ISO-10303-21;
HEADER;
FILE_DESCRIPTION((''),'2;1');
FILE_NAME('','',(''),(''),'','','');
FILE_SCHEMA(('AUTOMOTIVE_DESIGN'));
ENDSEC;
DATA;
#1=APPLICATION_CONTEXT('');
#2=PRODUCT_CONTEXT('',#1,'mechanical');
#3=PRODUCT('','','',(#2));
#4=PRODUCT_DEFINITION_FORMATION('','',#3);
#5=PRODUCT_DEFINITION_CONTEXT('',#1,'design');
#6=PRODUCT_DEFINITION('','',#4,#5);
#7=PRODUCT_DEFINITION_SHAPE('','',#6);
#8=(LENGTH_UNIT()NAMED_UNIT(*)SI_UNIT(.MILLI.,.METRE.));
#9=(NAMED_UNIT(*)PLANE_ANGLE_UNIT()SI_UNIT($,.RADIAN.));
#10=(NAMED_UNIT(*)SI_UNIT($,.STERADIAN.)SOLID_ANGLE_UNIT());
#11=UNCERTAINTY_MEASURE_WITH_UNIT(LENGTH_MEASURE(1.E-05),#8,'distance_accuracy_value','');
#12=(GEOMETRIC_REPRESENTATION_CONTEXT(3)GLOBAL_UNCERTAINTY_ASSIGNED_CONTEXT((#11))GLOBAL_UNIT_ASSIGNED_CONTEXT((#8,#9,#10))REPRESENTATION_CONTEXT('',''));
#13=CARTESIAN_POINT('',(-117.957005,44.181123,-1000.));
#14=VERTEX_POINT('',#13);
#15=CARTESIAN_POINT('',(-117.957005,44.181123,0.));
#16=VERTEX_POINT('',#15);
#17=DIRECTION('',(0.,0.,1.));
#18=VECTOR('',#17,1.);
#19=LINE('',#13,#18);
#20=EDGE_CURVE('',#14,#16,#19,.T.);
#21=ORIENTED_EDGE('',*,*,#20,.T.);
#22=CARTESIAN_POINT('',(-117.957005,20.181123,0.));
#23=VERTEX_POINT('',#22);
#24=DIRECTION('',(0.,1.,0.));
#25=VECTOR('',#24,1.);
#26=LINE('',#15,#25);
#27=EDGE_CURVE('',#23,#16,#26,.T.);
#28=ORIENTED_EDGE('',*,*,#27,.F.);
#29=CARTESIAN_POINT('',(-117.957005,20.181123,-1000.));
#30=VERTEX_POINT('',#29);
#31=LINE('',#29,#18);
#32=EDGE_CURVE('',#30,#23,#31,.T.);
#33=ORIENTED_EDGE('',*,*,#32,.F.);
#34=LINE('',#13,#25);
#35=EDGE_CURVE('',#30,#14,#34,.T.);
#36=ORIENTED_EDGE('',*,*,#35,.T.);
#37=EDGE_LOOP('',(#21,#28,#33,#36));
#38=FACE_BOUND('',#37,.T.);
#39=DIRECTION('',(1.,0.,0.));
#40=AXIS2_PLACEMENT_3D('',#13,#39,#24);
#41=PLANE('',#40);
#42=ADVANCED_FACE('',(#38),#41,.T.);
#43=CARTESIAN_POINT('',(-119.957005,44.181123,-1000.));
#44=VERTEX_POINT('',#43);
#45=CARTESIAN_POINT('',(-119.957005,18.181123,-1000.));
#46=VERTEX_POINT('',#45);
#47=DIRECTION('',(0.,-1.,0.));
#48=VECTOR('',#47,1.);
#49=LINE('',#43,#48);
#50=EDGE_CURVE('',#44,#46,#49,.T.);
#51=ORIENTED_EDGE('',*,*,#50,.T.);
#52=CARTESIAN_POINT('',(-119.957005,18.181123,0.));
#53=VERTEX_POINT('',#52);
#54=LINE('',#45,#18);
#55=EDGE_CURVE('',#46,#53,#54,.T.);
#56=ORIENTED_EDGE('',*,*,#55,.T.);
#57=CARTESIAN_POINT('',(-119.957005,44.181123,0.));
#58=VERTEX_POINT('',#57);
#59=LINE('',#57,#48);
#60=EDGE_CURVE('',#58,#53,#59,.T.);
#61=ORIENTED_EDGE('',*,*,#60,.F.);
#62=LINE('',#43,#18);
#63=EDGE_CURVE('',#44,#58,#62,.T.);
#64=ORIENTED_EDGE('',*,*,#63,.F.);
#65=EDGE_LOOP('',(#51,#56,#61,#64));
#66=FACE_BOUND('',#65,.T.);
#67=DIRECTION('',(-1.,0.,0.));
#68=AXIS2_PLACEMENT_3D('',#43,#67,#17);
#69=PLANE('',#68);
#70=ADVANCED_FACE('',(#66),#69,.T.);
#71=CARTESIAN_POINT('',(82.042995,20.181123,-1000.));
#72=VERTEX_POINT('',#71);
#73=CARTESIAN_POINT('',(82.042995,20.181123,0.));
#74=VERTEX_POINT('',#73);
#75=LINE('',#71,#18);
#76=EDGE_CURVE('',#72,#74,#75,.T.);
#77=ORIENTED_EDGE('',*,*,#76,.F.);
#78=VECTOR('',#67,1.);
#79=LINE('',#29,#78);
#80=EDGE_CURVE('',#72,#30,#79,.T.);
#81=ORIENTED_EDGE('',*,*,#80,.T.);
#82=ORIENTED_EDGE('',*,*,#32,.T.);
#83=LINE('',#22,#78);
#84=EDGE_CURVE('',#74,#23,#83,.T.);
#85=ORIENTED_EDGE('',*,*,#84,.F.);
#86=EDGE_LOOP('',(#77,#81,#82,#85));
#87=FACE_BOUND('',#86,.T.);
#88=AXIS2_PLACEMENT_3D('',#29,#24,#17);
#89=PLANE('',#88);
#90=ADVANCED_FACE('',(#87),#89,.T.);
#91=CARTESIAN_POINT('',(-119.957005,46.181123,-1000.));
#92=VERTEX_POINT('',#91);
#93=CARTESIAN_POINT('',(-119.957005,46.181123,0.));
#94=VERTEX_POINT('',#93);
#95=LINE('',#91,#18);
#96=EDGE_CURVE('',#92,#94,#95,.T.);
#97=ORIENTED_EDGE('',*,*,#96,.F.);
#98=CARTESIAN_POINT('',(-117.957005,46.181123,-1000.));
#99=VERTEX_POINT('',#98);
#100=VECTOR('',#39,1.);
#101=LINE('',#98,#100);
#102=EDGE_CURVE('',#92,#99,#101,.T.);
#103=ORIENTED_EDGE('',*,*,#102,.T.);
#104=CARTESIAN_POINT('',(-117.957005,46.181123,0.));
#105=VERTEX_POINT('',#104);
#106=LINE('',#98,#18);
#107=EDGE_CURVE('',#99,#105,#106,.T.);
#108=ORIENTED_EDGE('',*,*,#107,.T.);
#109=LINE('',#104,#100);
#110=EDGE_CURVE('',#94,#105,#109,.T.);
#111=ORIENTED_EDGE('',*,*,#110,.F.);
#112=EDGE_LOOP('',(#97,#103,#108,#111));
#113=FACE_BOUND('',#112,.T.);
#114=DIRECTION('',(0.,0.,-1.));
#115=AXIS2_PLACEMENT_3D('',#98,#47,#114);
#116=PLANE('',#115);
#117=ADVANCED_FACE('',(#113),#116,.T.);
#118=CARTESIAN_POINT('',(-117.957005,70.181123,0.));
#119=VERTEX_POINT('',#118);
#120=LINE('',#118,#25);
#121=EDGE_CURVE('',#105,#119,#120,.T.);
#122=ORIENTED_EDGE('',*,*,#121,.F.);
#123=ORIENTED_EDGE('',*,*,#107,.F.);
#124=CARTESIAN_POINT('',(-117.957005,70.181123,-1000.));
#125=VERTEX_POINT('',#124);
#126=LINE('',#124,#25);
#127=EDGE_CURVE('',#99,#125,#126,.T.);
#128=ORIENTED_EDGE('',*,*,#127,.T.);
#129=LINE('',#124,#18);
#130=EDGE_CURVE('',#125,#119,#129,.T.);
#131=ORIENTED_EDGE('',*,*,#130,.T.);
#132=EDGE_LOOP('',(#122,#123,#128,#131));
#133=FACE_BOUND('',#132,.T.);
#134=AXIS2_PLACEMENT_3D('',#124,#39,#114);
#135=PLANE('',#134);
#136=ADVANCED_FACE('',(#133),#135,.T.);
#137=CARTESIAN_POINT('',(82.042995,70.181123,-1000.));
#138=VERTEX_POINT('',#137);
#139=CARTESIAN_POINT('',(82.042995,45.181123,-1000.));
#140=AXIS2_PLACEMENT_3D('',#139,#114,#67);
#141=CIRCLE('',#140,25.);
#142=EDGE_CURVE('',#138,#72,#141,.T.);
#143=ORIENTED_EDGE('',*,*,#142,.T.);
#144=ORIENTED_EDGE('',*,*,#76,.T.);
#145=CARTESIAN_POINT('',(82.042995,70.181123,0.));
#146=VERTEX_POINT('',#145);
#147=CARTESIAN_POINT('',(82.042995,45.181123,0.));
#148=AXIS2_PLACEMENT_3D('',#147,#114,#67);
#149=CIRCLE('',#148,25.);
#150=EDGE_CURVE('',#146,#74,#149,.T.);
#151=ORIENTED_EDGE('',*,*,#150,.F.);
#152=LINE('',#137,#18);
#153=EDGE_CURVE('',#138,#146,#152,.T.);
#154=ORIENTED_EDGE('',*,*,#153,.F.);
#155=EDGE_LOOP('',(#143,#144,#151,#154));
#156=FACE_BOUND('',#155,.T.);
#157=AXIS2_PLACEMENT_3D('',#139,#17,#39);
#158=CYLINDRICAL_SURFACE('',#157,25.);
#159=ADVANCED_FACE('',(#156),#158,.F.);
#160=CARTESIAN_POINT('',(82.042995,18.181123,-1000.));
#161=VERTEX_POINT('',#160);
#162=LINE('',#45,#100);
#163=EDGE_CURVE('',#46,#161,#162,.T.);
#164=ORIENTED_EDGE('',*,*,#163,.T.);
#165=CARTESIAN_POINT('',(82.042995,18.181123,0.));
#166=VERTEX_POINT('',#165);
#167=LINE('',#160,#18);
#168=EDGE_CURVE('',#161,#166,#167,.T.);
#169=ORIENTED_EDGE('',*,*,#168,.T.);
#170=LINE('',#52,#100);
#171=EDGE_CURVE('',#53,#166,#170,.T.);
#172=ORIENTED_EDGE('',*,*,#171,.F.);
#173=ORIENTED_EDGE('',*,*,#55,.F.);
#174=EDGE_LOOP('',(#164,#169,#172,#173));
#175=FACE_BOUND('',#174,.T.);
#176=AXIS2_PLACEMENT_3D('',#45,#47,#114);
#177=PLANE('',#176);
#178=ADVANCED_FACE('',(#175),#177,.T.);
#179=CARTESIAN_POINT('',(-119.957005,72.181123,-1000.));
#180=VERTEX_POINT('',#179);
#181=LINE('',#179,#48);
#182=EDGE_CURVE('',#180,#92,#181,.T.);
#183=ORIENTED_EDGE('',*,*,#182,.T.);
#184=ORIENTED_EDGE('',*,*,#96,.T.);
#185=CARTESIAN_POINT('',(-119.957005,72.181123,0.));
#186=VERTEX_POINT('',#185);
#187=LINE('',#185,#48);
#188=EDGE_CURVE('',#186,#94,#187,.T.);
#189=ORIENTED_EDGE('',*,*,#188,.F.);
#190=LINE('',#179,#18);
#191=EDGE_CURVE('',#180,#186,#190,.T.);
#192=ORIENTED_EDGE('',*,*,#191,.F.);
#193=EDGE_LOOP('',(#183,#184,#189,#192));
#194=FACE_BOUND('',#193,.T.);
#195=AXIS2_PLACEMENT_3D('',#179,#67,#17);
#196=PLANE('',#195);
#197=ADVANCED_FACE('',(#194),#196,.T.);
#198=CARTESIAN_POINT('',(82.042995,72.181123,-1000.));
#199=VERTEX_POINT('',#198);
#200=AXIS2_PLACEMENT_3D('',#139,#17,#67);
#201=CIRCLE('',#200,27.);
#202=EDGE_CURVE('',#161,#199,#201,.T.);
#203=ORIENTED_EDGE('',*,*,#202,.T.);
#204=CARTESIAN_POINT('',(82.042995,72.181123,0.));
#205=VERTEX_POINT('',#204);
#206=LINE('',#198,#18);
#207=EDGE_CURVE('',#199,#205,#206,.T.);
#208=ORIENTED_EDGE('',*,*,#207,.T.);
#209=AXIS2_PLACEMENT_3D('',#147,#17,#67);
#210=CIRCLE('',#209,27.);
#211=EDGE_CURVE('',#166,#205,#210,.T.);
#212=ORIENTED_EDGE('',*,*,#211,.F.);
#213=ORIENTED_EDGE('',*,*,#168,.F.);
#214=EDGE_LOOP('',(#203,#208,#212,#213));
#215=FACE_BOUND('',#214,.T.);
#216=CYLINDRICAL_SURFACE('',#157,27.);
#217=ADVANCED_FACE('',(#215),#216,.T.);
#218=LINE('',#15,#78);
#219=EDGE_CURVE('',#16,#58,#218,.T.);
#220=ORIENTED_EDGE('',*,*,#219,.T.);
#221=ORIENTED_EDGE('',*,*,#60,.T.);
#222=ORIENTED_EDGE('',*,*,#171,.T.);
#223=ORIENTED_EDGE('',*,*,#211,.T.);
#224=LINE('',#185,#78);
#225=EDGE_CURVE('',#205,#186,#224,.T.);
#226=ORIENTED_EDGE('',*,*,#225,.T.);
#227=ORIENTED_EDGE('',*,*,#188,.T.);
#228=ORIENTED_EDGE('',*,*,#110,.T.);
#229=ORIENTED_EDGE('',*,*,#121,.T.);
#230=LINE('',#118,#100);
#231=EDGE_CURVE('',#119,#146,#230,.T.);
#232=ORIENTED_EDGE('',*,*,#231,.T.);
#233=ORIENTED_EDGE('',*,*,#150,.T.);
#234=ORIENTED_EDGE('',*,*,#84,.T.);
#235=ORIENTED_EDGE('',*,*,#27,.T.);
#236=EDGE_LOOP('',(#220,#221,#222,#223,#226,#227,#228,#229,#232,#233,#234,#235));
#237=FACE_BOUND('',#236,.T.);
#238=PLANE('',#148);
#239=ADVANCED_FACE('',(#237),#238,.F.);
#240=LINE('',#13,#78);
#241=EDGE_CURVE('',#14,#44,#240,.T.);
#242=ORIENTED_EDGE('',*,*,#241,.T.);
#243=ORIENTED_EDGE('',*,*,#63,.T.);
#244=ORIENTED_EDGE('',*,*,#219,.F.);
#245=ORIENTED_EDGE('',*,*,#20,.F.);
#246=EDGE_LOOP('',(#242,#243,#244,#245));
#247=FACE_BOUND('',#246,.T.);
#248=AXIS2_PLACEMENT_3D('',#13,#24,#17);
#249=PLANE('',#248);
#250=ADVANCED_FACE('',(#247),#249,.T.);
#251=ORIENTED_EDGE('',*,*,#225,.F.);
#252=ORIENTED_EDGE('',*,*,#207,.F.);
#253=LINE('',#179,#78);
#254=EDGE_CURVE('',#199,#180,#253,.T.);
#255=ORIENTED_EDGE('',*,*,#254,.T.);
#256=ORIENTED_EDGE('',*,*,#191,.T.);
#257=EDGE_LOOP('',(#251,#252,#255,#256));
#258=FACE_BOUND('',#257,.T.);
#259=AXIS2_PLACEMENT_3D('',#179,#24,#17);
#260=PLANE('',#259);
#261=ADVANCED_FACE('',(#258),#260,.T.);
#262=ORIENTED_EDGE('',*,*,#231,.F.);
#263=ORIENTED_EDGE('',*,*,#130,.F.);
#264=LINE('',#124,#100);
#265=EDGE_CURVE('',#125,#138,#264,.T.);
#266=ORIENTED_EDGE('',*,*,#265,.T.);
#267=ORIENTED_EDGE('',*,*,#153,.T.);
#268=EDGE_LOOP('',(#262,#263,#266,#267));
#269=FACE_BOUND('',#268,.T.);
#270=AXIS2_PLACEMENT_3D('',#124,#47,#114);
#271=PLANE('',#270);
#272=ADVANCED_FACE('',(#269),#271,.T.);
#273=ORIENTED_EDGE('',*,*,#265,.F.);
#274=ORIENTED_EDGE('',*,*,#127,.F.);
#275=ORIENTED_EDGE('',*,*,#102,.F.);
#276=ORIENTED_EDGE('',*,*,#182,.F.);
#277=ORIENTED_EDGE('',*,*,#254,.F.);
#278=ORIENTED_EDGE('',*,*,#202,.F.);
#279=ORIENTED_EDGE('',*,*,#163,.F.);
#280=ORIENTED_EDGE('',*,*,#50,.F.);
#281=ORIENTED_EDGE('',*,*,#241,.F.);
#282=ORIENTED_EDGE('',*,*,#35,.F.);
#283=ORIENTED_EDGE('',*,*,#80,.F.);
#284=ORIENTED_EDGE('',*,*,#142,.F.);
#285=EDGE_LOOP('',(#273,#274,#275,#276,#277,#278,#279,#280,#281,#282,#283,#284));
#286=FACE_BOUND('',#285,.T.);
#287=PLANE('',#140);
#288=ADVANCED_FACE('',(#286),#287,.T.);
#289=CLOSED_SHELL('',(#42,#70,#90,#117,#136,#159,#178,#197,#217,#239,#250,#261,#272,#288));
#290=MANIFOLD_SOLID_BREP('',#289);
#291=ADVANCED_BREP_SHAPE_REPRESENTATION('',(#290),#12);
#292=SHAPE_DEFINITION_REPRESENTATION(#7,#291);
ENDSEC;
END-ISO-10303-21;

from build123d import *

# Parameters (mm, degrees)
BOSS_EXTRUDE1_DEPTH = 1000


with BuildPart() as part:
    # Sketch1 → Boss-Extrude1 (new body)
    with BuildSketch(Plane.XY):
        with BuildLine():
            Line((-119.957004607, 72.181122853), (82.042995393, 72.181122853))
            ThreePointArc((82.042995393, 72.181122853), (109.042995393, 45.181122853), (82.042995393, 18.181122853))
            Line((82.042995393, 18.181122853), (-119.957004607, 18.181122853))
            Line((-119.957004607, 18.181122853), (-119.957004607, 44.181122853))
            Line((-119.957004607, 44.181122853), (-117.957004607, 44.181122853))
            Line((-117.957004607, 44.181122853), (-117.957004607, 20.181122853))
            Line((-117.957004607, 20.181122853), (82.042995393, 20.181122853))
            ThreePointArc((82.042995393, 20.181122853), (107.042995393, 45.181122853), (82.042995393, 70.181122853))
            Line((82.042995393, 70.181122853), (-117.957004607, 70.181122853))
            Line((-117.957004607, 70.181122853), (-117.957004607, 46.181122853))
            Line((-117.957004607, 46.181122853), (-119.957004607, 46.181122853))
            Line((-119.957004607, 46.181122853), (-119.957004607, 72.181122853))
        make_face()
    extrude(amount=-BOSS_EXTRUDE1_DEPTH)


solid = part.part
